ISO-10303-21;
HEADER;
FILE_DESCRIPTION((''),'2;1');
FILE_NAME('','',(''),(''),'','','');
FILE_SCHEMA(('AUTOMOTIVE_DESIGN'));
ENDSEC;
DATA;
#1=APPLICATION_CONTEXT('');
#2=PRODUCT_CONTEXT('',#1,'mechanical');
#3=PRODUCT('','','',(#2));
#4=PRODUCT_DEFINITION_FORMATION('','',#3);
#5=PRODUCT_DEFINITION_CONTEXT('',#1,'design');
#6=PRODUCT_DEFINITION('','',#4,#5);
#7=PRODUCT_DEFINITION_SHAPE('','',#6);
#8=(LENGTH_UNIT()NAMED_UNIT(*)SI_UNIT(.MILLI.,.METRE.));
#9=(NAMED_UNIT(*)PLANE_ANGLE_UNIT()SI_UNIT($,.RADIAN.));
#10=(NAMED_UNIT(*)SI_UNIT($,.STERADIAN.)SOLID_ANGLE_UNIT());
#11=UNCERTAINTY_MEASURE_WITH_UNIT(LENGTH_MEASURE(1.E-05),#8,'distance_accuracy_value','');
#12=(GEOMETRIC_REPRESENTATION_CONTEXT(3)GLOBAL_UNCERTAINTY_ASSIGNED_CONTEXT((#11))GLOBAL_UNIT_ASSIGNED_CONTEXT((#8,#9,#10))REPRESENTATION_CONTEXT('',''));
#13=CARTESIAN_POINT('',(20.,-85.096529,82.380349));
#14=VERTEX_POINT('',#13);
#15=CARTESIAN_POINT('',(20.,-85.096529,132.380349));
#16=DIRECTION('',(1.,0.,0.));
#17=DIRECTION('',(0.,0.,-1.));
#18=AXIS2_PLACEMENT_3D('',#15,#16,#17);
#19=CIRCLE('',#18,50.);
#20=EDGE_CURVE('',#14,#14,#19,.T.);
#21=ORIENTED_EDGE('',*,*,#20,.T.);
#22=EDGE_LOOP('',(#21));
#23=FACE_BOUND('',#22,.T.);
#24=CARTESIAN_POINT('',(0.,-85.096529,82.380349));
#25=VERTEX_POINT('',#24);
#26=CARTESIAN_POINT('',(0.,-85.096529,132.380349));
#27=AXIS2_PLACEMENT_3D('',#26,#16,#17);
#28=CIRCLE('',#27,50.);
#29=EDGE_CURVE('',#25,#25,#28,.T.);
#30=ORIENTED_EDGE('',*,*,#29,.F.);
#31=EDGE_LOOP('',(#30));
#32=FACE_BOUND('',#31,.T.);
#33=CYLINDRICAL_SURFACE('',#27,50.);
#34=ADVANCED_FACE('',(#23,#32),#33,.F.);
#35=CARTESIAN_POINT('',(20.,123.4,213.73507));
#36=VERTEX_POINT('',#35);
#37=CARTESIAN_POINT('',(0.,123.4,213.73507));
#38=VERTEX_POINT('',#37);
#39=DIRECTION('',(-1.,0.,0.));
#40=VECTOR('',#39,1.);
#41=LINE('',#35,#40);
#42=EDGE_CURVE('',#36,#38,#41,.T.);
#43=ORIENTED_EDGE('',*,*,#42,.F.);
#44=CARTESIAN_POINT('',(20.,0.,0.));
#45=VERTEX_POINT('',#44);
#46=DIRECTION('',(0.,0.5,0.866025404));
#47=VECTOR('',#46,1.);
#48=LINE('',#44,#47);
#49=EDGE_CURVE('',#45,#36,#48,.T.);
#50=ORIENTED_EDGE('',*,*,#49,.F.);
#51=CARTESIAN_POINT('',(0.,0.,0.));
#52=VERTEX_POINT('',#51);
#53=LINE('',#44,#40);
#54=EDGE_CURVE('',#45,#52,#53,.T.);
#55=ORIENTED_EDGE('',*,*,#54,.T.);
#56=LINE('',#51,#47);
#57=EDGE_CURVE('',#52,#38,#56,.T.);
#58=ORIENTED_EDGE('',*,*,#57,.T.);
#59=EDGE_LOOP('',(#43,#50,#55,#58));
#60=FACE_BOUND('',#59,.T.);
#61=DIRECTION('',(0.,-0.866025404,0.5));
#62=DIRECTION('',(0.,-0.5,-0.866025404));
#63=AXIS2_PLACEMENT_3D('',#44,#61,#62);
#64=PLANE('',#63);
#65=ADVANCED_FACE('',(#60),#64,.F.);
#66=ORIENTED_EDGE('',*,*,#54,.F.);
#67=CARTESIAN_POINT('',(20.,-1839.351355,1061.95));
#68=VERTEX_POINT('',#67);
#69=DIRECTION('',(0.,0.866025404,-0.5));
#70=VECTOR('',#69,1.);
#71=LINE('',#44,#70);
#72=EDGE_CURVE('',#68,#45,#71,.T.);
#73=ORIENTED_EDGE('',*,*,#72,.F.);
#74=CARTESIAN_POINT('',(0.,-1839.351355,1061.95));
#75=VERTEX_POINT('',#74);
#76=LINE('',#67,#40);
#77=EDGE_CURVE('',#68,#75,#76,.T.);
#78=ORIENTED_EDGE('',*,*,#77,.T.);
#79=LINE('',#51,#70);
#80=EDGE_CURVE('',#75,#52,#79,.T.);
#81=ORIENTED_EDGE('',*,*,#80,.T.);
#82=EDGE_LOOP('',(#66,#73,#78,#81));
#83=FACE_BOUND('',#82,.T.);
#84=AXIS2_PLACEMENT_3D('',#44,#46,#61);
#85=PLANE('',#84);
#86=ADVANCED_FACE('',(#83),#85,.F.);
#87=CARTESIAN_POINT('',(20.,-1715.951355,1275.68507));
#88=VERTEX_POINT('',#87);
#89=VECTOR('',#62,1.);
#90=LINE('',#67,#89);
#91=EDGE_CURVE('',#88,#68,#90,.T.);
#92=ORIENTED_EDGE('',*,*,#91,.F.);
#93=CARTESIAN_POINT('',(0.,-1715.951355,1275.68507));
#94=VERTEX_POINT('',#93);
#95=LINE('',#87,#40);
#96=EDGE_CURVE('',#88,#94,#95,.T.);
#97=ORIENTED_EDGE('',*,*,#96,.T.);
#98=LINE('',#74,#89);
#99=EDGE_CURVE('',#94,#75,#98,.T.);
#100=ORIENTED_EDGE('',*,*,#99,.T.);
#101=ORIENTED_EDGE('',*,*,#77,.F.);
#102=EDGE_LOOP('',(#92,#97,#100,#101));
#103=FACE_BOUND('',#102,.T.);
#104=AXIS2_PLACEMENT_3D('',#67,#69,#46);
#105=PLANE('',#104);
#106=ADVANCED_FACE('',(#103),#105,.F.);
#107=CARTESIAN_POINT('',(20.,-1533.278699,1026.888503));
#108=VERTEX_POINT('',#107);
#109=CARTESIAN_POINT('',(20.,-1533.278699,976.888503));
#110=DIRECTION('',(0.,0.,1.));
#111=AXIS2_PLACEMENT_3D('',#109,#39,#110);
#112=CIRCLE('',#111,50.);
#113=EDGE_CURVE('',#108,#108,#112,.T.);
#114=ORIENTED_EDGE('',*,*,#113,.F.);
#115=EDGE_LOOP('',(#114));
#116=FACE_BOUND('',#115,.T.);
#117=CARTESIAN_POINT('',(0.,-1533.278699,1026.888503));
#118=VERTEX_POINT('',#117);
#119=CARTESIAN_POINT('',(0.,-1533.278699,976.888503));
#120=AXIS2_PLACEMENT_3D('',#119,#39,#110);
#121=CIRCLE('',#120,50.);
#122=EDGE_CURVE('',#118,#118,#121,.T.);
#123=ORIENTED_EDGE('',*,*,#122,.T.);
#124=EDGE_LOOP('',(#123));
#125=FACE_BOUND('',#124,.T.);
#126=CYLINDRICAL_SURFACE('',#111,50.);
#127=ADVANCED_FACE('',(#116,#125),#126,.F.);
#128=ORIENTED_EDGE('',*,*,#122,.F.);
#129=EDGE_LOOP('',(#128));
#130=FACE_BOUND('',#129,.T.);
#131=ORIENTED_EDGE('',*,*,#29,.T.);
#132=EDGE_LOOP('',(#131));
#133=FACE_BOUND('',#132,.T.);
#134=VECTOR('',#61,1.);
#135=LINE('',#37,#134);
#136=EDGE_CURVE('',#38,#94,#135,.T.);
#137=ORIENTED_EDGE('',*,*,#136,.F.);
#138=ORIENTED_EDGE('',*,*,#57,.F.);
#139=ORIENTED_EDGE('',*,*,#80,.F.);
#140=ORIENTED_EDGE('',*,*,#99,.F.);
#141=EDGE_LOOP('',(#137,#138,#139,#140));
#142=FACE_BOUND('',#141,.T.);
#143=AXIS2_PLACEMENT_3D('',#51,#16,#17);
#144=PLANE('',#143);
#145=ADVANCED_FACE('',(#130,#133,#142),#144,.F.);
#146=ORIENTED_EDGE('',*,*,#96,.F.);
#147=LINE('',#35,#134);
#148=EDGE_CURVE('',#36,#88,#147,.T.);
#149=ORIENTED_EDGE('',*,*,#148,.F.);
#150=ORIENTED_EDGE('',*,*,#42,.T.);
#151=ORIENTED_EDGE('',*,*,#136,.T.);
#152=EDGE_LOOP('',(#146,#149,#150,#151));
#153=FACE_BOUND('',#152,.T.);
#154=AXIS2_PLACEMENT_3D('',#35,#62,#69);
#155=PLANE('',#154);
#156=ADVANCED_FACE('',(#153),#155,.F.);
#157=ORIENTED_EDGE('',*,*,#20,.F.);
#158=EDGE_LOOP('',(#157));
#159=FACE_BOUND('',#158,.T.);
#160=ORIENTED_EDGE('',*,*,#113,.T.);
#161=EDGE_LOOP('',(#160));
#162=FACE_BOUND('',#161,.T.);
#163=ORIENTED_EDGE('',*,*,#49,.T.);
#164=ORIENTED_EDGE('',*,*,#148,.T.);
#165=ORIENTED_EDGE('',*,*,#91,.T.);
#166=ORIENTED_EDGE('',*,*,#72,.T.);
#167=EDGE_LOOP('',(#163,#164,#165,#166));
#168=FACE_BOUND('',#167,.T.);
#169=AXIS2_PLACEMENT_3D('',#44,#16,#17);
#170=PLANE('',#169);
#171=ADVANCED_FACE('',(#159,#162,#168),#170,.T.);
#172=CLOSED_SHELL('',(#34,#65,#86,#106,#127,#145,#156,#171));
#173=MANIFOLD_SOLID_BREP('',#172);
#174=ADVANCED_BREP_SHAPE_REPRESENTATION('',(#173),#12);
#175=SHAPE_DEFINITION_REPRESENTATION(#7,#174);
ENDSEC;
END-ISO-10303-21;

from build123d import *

# Parameters (mm, degrees)
BOSS_EXTRUDE1_DEPTH = 20
SKETCH2_R           = 50
CUT_EXTRUDE4_DEPTH  = 2239.523130199
SKETCH3_R           = 50
CUT_EXTRUDE6_DEPTH  = 2239.523130199


with BuildPart() as part:
    # Sketch1 → Boss-Extrude1 (new body)
    with BuildSketch(Plane(origin=(0, 0, 0), x_dir=(0, 0, -1), z_dir=(1, 0, 0))):
        Polygon((0, 0), (-1061.95, -1839.351355098), (-1275.685069654, -1715.951355098), (-213.735069654, 123.4), align=None)
    extrude(amount=BOSS_EXTRUDE1_DEPTH)

    # Sketch2 → Cut-Extrude4 (cut, through all)
    with BuildSketch(Plane.ZY):
        with Locations((976.888502518, -1533.278698946)):
            Circle(SKETCH2_R)
    extrude(amount=-CUT_EXTRUDE4_DEPTH, mode=Mode.SUBTRACT)

    # Sketch3 → Cut-Extrude6 (cut, through all)
    with BuildSketch(Plane(origin=(20, 0, 0), x_dir=(0, 0, -1), z_dir=(1, 0, 0))):
        with Locations((-132.380349241, -85.096529142)):
            Circle(SKETCH3_R)
    extrude(amount=-CUT_EXTRUDE6_DEPTH, mode=Mode.SUBTRACT)


solid = part.part
